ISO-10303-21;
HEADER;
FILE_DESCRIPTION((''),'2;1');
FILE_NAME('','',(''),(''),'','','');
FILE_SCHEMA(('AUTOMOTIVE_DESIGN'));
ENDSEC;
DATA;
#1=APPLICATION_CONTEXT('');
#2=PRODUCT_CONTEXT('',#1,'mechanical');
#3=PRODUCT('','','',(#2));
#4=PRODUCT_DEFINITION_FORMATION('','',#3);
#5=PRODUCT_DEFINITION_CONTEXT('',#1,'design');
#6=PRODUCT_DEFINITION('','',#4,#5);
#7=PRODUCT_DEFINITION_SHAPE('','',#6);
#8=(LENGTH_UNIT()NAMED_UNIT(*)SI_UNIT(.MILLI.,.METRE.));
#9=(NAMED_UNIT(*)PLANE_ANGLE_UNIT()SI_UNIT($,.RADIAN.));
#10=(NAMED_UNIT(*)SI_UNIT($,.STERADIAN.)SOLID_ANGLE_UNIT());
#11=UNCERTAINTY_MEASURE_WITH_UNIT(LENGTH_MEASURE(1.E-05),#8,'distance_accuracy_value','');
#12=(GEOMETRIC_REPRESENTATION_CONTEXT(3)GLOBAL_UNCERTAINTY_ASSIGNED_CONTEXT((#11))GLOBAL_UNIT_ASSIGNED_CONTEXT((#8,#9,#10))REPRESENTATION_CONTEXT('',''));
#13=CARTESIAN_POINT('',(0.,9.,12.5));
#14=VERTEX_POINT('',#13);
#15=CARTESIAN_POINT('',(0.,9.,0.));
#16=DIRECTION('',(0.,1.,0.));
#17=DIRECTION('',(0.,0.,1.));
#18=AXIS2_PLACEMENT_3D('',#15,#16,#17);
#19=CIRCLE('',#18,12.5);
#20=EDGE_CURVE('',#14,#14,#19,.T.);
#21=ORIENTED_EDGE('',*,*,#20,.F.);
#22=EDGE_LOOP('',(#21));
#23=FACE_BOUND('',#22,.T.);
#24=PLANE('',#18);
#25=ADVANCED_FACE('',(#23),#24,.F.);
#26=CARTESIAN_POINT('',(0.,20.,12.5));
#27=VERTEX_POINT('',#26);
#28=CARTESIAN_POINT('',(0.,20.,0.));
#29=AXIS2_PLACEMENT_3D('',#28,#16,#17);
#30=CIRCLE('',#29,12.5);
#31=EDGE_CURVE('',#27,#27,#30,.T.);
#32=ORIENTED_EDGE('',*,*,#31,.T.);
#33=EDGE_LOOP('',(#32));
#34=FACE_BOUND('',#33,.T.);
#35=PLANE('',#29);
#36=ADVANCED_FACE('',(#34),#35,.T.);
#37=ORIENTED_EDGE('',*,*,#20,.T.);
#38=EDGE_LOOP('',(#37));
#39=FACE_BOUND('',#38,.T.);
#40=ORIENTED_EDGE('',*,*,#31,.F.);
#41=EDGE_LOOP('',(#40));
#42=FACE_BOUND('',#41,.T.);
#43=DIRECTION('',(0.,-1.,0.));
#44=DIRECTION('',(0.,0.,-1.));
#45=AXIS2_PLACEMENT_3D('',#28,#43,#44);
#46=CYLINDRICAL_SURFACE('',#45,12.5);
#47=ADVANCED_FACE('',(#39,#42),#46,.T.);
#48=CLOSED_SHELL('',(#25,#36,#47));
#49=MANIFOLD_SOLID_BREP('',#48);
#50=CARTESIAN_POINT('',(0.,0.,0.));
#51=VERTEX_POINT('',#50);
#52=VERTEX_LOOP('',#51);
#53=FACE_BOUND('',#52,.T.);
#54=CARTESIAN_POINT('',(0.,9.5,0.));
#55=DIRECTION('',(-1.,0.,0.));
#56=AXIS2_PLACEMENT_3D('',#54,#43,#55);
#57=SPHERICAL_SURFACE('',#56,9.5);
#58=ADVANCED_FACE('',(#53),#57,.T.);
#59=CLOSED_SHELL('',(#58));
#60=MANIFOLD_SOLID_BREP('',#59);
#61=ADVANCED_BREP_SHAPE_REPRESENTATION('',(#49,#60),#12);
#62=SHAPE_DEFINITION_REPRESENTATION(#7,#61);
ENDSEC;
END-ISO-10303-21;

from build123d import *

# Parameters (mm, degrees)
SKETCH2_R           = 12.5
BOSS_EXTRUDE1_DEPTH = 11


with BuildPart() as part:
    # Sketch1 → Revolve1 (revolve)
    with BuildSketch(Plane.XY):
        with BuildLine():
            Line((0, 19), (0, 0))
            ThreePointArc((0, 0), (-9.5, 9.5), (0, 19))
        make_face()
    revolve(axis=Axis((0, 0, 0), (0, 1, 0)))


with BuildPart() as body_2:
    # Sketch2 → Boss-Extrude1 (new body)
    with BuildSketch(Plane(origin=(0, 9, 0), x_dir=(1, 0, 0), z_dir=(0, 1, 0))):
        with Locations(Location((0, 0, 0), (0, 0, 270))):
            Circle(SKETCH2_R)
    extrude(amount=BOSS_EXTRUDE1_DEPTH)


solid = Compound([part.part, body_2.part])
